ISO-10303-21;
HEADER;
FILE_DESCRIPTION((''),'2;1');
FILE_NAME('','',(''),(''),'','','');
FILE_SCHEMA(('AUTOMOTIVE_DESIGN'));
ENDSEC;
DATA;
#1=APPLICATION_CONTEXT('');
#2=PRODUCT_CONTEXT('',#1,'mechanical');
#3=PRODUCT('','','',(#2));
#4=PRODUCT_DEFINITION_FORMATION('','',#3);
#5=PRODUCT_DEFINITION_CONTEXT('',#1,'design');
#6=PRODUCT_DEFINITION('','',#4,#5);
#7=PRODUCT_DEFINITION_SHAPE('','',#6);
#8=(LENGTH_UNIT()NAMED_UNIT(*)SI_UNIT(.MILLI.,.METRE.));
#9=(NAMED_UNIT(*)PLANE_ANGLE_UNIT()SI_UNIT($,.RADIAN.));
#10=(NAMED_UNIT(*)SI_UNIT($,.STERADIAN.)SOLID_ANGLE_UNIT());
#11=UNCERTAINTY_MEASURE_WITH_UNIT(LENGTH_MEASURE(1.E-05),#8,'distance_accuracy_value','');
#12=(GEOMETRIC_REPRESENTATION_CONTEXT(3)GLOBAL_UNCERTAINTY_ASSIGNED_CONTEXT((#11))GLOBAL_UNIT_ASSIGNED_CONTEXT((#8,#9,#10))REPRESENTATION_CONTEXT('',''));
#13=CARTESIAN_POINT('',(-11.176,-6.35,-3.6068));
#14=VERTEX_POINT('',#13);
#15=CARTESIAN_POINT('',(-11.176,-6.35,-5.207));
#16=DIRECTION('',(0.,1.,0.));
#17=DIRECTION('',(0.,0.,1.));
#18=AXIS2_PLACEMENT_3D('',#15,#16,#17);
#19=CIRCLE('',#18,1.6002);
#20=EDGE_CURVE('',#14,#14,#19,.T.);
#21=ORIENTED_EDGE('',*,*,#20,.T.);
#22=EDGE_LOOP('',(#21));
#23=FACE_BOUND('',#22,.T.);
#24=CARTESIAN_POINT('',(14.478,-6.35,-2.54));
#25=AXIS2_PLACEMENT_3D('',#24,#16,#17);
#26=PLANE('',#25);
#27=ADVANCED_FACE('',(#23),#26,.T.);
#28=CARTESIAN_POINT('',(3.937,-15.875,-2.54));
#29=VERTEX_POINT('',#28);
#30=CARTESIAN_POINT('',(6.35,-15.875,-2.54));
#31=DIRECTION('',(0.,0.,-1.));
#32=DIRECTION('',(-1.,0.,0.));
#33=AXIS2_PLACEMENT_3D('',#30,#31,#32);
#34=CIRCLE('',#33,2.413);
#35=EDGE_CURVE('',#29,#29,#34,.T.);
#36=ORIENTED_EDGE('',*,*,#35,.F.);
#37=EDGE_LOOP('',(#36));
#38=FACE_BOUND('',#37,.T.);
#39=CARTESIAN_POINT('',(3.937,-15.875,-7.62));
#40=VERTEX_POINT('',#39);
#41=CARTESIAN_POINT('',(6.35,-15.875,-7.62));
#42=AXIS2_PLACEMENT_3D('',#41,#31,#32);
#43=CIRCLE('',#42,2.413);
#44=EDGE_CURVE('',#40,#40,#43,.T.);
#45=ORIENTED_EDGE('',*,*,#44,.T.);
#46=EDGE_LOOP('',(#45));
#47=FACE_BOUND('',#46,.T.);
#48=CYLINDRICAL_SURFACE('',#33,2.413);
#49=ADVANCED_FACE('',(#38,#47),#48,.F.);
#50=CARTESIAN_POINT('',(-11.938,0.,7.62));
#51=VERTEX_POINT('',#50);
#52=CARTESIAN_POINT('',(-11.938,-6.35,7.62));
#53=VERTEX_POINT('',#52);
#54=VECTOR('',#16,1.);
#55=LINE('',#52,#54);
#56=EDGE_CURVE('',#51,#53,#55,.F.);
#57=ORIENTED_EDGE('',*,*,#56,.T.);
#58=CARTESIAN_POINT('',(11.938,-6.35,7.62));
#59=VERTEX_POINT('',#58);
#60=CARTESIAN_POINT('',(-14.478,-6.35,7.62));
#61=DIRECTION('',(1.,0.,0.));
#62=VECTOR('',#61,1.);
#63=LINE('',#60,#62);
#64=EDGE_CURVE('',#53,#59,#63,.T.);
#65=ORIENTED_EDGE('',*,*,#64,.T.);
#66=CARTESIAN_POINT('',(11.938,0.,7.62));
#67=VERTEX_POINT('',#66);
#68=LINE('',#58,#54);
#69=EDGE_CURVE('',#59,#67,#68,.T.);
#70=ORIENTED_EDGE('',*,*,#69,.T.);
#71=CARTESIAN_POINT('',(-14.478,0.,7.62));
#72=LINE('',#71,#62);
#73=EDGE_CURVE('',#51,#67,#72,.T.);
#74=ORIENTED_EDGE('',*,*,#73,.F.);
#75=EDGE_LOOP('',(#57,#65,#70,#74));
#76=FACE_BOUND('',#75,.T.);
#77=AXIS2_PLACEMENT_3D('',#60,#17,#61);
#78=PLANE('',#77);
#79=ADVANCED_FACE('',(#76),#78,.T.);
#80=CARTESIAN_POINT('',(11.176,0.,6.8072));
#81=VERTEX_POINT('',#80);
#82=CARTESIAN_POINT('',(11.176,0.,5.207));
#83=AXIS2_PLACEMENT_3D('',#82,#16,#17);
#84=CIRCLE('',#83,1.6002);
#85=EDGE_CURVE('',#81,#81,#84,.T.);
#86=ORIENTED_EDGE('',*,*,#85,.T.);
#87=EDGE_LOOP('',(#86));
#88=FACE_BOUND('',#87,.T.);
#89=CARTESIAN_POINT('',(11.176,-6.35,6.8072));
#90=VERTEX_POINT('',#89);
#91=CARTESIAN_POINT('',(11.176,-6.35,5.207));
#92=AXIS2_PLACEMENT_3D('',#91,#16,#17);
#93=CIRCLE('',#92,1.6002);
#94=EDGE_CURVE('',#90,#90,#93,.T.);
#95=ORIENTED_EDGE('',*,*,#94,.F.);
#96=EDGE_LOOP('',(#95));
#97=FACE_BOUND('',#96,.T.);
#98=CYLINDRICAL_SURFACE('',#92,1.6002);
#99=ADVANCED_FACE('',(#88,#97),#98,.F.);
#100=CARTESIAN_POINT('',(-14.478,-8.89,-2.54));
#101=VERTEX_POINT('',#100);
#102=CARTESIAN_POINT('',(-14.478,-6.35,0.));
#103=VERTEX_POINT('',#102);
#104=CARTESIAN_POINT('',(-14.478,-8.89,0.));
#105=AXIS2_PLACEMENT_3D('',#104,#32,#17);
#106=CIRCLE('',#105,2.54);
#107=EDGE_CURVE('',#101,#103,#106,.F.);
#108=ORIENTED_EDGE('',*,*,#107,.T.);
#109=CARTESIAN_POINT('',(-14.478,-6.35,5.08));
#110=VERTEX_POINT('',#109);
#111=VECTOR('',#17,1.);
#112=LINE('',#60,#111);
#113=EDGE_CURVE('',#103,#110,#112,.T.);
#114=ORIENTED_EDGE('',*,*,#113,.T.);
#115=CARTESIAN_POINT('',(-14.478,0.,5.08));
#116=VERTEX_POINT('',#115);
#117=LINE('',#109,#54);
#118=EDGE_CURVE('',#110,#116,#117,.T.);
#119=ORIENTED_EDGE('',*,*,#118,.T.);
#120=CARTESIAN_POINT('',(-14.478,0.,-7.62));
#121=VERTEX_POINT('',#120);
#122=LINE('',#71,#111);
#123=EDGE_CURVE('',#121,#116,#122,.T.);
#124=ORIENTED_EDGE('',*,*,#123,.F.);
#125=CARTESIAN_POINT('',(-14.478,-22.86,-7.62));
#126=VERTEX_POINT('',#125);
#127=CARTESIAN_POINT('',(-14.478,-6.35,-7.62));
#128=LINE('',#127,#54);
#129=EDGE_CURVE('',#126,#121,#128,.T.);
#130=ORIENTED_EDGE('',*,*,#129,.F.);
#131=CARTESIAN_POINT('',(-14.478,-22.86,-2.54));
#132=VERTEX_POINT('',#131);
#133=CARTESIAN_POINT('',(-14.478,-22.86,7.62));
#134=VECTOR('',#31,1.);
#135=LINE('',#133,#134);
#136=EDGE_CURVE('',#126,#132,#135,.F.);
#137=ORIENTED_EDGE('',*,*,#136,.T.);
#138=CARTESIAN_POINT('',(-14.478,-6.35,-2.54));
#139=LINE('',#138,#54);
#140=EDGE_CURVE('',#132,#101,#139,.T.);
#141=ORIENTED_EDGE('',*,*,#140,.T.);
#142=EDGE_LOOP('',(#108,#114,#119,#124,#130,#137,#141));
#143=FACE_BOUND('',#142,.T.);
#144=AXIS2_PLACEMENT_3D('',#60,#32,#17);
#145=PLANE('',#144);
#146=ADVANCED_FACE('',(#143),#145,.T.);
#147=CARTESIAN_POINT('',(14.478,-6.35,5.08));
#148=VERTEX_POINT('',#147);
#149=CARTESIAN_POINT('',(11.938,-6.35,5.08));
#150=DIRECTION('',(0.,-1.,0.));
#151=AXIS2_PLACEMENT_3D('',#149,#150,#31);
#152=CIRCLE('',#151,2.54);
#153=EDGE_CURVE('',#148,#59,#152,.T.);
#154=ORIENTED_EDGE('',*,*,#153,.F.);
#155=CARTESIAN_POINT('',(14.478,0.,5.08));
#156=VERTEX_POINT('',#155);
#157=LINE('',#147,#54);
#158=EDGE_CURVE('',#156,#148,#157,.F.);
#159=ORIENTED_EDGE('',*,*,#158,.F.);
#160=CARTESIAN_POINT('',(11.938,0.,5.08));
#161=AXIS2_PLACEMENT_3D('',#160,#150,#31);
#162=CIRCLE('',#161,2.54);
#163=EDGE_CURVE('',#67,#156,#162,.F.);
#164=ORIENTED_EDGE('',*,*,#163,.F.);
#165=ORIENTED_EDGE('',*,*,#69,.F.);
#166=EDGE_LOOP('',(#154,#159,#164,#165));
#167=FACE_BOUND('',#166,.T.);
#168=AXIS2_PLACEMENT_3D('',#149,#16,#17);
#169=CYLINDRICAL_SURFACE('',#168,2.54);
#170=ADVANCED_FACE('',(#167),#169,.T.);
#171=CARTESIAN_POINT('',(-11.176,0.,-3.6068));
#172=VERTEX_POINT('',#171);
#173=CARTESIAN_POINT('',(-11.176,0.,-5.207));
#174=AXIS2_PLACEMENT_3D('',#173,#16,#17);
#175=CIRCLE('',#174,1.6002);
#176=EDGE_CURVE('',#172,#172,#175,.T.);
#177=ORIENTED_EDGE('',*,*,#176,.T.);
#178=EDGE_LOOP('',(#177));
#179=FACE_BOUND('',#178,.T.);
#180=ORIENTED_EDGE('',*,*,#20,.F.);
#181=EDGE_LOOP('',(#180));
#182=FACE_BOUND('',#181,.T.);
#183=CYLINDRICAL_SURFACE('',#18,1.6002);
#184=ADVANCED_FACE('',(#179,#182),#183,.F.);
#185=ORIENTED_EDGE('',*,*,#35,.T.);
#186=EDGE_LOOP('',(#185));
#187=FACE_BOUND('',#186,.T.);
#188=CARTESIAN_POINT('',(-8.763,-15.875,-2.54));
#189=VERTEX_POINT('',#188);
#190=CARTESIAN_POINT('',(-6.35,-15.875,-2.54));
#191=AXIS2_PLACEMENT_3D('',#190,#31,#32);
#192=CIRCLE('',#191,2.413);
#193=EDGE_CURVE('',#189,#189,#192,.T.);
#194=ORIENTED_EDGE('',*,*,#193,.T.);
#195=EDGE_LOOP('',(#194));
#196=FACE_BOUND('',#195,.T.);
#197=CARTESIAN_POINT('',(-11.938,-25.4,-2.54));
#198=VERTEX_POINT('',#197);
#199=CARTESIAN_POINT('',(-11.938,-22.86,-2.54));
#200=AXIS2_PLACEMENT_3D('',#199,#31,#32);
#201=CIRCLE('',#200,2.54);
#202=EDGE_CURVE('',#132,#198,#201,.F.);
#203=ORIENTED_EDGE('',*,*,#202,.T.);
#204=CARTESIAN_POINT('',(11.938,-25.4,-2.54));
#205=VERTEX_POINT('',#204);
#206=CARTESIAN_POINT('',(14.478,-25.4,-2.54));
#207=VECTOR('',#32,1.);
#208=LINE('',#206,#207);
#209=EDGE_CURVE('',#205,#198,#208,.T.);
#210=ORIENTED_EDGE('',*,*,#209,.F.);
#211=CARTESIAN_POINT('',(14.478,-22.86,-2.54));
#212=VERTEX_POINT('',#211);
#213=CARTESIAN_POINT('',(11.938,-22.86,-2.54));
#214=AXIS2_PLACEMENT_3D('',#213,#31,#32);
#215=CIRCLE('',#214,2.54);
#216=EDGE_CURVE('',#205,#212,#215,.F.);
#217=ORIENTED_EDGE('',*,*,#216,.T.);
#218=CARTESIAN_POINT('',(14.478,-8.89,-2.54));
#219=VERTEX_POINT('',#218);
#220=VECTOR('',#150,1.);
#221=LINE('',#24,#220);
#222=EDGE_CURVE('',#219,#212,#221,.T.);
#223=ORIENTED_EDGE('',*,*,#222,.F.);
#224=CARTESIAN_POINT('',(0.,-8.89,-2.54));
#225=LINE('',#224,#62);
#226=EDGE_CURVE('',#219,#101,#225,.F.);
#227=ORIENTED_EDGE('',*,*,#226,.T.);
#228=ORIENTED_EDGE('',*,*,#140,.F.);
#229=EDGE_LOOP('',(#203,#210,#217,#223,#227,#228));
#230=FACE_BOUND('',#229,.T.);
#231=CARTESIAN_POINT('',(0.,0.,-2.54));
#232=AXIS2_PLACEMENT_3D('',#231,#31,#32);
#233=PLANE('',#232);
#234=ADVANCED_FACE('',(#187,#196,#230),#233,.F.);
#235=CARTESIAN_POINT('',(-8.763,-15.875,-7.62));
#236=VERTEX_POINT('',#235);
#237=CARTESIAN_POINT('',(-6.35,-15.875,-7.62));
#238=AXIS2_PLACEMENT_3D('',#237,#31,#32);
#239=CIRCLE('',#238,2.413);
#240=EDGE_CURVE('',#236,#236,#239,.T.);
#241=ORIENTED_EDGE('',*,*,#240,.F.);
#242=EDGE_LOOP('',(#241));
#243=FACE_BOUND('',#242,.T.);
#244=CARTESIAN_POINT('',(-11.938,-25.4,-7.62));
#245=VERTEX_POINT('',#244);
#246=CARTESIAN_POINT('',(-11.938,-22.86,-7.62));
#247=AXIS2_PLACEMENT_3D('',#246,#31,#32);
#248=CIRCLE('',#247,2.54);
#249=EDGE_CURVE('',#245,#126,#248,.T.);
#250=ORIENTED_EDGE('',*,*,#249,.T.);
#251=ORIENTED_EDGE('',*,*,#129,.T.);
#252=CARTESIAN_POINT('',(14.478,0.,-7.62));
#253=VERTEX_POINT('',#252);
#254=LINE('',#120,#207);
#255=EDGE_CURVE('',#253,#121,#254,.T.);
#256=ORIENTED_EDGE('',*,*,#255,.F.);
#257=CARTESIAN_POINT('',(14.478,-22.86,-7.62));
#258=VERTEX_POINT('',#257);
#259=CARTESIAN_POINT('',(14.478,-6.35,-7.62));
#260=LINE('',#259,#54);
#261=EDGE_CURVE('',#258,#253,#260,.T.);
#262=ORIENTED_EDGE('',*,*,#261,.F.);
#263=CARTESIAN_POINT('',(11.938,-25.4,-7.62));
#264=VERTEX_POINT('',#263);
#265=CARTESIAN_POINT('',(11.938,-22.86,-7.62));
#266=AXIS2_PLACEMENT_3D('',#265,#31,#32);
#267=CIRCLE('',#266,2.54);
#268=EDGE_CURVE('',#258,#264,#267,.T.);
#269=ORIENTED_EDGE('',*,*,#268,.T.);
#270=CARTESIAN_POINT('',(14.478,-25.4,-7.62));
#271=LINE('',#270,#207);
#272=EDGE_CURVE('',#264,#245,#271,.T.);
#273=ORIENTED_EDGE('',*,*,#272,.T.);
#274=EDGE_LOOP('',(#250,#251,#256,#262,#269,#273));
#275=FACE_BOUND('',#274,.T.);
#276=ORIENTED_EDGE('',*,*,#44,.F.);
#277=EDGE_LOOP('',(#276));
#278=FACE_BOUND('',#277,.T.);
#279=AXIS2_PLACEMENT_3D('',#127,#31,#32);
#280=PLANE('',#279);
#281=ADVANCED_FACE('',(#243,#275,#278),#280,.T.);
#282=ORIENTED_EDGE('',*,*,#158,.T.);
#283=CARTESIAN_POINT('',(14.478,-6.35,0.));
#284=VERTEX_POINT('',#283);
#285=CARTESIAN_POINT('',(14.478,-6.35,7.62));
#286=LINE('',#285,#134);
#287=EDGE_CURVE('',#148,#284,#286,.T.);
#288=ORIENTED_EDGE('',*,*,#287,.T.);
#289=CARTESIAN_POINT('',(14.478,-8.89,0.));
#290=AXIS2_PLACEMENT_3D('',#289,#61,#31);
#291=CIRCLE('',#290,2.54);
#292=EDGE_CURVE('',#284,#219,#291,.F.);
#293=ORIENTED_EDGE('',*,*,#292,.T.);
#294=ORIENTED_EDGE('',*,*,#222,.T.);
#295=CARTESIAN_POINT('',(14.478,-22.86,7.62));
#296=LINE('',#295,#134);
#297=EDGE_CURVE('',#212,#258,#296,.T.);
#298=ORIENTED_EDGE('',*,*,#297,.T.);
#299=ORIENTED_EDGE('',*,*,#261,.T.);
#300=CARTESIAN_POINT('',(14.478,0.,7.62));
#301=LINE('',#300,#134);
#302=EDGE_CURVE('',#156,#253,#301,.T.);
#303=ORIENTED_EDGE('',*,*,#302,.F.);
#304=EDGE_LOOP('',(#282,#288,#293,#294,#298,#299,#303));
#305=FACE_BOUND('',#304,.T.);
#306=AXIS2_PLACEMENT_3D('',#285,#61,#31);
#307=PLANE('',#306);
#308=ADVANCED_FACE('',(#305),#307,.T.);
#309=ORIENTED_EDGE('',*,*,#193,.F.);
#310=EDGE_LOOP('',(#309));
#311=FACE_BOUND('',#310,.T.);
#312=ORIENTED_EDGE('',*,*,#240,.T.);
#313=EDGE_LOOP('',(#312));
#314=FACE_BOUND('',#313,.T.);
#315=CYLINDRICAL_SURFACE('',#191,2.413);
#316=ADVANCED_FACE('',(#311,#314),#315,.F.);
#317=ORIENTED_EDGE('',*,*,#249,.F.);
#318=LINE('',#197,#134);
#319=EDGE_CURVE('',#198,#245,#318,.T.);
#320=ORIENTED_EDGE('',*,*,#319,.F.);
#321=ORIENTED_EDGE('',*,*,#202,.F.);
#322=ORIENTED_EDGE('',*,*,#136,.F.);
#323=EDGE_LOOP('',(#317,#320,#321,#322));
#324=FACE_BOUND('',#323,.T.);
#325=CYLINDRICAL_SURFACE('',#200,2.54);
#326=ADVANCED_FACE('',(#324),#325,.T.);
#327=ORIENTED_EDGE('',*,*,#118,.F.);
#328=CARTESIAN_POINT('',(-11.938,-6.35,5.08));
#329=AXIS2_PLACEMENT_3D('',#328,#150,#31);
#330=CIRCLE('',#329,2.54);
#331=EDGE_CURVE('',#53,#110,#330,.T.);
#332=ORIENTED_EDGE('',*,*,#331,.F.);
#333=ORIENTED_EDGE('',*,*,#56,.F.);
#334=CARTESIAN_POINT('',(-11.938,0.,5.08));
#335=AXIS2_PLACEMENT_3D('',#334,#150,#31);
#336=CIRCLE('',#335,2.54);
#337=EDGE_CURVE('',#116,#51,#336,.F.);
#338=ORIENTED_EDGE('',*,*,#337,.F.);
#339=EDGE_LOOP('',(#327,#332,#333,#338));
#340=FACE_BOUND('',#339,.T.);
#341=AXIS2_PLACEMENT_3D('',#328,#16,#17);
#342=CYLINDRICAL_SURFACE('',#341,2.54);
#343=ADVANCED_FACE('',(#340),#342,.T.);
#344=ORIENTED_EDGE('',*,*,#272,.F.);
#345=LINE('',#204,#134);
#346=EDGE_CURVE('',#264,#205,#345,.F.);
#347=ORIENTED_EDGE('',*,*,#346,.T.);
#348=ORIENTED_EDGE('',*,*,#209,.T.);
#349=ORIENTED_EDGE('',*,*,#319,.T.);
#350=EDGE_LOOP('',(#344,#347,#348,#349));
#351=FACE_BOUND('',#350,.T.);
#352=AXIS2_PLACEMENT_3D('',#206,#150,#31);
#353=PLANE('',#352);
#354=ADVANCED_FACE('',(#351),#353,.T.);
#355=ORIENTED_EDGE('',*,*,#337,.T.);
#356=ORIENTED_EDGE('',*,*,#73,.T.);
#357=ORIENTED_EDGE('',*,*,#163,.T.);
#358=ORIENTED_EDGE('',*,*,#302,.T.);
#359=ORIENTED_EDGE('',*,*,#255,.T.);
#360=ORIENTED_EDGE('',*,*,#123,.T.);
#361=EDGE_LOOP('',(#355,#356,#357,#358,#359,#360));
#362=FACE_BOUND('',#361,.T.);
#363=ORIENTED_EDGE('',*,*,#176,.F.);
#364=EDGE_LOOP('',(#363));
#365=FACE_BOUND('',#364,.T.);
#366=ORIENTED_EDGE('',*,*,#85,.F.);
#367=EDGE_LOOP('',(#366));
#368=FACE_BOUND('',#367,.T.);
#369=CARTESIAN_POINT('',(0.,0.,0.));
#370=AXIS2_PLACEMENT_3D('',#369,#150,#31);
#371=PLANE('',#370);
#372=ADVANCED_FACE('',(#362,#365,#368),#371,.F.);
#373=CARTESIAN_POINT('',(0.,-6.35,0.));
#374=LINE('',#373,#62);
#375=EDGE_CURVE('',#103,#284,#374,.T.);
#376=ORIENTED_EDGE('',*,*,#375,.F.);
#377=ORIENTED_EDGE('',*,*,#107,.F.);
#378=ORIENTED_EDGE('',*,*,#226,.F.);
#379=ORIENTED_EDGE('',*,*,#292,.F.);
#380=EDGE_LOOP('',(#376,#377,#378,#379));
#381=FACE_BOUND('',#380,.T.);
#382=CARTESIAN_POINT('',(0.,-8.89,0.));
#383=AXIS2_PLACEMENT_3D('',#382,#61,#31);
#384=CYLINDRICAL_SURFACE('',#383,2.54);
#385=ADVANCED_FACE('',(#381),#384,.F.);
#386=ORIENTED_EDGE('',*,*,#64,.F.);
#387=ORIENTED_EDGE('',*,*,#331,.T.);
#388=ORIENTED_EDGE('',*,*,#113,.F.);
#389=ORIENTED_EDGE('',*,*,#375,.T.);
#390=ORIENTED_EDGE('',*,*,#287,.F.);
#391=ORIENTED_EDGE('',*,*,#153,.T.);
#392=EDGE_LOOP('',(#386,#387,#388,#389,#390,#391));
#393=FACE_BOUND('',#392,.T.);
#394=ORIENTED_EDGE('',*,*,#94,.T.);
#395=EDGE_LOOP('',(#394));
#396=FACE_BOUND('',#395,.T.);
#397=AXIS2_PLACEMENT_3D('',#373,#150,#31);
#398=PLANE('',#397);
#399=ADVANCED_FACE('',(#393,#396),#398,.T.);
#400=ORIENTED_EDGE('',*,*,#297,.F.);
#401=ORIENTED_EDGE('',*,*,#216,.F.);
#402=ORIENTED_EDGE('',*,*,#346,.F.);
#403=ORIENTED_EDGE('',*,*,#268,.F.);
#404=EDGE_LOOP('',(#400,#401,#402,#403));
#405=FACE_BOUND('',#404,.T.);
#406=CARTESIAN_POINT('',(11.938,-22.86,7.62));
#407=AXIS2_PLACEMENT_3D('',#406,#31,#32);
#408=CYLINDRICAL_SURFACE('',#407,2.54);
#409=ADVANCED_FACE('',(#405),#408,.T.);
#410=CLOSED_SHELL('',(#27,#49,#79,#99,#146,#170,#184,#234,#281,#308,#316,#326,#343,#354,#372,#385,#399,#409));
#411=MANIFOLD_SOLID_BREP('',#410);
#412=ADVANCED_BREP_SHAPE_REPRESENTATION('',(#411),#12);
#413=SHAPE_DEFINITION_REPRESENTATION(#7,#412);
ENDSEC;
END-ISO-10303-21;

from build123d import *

# Parameters (mm, degrees)
SKETCH1_W           = 28.956
SKETCH1_H           = 15.24
SKETCH1_R           = 1.6002
BOSS_EXTRUDE1_DEPTH = 6.35
SKETCH2_W           = 28.956
SKETCH2_H           = 19.05
SKETCH2_R           = 2.413
BOSS_EXTRUDE2_DEPTH = 5.08
FILLET1_R           = 2.54


with BuildPart() as part:
    # Sketch1 → Boss-Extrude1 (new body)
    with BuildSketch(Plane(origin=(0, 0, 0), x_dir=(1, 0, 0), z_dir=(0, 1, 0))):
        Rectangle(SKETCH1_W, SKETCH1_H)
        with Locations(Location((-11.176, 5.207, 0), (0, 0, 270))):
            Circle(SKETCH1_R, mode=Mode.SUBTRACT)
        with Locations(Location((11.176, -5.207, 0), (0, 0, 270))):
            Circle(SKETCH1_R, mode=Mode.SUBTRACT)
    extrude(amount=-BOSS_EXTRUDE1_DEPTH)

    # Sketch2 → Boss-Extrude2 (add)
    with BuildSketch(Plane(origin=(0, 0, -7.62), x_dir=(-1, 0, 0), z_dir=(0, 0, -1))):
        with Locations((0, -15.875)):
            Rectangle(SKETCH2_W, SKETCH2_H)
        with Locations((-6.35, -15.875)):
            Circle(SKETCH2_R, mode=Mode.SUBTRACT)
        with Locations((6.35, -15.875)):
            Circle(SKETCH2_R, mode=Mode.SUBTRACT)
    extrude(amount=-BOSS_EXTRUDE2_DEPTH)

    # Fillet1
    fillet1_edges = [part.edges().sort_by_distance(p)[0] for p in [
        (0, -6.35, -2.54),
        (14.478, -25.4, -5.08),
        (-14.478, -25.4, -5.08),
        (14.478, -3.175, 7.62),
        (-14.478, -3.175, 7.62),
    ]]
    fillet(fillet1_edges, radius=FILLET1_R)


solid = part.part
